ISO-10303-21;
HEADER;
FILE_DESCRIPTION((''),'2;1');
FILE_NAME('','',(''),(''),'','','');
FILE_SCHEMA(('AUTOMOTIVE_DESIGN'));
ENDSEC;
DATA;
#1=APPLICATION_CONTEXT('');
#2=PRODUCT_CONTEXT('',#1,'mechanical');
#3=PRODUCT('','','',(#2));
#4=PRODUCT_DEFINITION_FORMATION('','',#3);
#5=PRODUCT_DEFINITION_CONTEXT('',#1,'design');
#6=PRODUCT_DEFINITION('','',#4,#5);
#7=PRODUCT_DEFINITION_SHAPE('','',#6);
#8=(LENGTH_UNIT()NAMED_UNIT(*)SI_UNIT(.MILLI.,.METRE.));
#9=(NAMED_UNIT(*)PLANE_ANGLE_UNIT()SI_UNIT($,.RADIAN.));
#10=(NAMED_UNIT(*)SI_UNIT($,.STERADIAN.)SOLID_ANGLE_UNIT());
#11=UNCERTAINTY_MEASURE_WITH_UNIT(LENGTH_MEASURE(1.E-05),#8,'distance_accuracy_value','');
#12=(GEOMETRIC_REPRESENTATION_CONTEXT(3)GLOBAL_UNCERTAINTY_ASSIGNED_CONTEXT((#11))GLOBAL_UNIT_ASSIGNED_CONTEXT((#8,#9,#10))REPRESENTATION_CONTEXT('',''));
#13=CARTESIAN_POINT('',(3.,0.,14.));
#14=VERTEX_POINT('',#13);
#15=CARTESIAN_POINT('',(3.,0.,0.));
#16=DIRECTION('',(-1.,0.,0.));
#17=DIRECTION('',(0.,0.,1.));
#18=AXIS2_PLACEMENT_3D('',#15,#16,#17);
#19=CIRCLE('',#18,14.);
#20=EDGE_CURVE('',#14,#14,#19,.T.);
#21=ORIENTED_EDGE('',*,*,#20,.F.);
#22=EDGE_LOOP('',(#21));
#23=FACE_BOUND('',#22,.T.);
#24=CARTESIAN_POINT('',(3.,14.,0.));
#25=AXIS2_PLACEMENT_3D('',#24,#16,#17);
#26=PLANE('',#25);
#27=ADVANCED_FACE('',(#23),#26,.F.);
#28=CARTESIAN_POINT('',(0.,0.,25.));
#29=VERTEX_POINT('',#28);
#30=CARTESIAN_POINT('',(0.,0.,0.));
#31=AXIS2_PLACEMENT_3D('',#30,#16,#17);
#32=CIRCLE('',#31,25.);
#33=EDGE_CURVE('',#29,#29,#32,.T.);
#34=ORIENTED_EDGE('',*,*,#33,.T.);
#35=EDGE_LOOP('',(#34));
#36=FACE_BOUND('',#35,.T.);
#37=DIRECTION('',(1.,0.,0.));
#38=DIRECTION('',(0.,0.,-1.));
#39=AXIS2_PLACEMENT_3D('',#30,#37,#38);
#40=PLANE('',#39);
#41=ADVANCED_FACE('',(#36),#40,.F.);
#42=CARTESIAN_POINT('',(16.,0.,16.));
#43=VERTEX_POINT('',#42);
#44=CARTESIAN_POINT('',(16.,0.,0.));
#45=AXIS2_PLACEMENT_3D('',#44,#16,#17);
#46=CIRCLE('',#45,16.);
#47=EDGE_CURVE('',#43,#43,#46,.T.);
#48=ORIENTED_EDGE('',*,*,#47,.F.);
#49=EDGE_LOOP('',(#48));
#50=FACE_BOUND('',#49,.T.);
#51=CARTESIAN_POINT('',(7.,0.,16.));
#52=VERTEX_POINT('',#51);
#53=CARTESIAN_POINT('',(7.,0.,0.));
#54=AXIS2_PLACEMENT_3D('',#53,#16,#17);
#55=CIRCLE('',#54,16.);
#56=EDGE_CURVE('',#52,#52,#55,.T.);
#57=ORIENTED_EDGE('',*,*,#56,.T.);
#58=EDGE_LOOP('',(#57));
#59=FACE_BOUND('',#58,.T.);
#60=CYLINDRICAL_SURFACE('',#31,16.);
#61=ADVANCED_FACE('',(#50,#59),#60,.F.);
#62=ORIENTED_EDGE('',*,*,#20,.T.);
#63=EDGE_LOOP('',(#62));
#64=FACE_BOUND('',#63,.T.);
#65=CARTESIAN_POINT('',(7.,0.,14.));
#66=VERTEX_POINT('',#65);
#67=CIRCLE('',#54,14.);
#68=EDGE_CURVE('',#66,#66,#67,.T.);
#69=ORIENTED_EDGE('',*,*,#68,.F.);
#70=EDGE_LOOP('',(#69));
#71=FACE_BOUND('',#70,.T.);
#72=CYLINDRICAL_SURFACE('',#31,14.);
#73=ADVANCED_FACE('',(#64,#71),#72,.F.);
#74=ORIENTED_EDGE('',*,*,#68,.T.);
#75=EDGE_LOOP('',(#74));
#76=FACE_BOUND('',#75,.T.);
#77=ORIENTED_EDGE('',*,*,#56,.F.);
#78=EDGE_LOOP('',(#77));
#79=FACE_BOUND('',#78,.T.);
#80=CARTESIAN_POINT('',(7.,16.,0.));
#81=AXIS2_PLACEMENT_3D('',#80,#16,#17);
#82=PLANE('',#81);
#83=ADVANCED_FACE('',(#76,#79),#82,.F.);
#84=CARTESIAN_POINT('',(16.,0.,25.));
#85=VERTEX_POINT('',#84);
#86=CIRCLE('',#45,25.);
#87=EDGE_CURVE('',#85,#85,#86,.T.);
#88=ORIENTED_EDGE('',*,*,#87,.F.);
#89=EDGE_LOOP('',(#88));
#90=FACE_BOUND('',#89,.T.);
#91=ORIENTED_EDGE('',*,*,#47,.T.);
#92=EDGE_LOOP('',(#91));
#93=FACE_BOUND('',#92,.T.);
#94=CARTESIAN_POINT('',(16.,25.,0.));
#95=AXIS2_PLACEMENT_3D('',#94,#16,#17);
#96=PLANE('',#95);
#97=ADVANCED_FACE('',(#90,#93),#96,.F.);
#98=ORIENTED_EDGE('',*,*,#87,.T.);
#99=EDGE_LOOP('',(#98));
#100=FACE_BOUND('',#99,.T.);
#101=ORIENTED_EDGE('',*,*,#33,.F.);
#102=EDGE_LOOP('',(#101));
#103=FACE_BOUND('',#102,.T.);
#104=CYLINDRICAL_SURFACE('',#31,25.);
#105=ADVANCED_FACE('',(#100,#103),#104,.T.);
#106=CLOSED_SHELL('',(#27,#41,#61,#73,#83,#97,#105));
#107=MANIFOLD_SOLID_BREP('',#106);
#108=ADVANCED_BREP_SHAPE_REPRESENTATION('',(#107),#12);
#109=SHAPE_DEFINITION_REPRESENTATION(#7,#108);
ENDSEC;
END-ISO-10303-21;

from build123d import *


with BuildPart() as part:
    # Esboço1 → Revolução1 (revolve)
    with BuildSketch(Plane.XY, mode=Mode.PRIVATE) as revolu_o1_sk:
        Polygon((0, 0), (0, 25), (16, 25), (16, 16), (7, 16), (7, 14), (3, 14), (3, 0), align=None)
    revolve(revolu_o1_sk.sketch.rotate(Axis((0, 0, 0), (1, 0, 0)), 90), axis=Axis((0, 0, 0), (1, 0, 0)))


solid = part.part
